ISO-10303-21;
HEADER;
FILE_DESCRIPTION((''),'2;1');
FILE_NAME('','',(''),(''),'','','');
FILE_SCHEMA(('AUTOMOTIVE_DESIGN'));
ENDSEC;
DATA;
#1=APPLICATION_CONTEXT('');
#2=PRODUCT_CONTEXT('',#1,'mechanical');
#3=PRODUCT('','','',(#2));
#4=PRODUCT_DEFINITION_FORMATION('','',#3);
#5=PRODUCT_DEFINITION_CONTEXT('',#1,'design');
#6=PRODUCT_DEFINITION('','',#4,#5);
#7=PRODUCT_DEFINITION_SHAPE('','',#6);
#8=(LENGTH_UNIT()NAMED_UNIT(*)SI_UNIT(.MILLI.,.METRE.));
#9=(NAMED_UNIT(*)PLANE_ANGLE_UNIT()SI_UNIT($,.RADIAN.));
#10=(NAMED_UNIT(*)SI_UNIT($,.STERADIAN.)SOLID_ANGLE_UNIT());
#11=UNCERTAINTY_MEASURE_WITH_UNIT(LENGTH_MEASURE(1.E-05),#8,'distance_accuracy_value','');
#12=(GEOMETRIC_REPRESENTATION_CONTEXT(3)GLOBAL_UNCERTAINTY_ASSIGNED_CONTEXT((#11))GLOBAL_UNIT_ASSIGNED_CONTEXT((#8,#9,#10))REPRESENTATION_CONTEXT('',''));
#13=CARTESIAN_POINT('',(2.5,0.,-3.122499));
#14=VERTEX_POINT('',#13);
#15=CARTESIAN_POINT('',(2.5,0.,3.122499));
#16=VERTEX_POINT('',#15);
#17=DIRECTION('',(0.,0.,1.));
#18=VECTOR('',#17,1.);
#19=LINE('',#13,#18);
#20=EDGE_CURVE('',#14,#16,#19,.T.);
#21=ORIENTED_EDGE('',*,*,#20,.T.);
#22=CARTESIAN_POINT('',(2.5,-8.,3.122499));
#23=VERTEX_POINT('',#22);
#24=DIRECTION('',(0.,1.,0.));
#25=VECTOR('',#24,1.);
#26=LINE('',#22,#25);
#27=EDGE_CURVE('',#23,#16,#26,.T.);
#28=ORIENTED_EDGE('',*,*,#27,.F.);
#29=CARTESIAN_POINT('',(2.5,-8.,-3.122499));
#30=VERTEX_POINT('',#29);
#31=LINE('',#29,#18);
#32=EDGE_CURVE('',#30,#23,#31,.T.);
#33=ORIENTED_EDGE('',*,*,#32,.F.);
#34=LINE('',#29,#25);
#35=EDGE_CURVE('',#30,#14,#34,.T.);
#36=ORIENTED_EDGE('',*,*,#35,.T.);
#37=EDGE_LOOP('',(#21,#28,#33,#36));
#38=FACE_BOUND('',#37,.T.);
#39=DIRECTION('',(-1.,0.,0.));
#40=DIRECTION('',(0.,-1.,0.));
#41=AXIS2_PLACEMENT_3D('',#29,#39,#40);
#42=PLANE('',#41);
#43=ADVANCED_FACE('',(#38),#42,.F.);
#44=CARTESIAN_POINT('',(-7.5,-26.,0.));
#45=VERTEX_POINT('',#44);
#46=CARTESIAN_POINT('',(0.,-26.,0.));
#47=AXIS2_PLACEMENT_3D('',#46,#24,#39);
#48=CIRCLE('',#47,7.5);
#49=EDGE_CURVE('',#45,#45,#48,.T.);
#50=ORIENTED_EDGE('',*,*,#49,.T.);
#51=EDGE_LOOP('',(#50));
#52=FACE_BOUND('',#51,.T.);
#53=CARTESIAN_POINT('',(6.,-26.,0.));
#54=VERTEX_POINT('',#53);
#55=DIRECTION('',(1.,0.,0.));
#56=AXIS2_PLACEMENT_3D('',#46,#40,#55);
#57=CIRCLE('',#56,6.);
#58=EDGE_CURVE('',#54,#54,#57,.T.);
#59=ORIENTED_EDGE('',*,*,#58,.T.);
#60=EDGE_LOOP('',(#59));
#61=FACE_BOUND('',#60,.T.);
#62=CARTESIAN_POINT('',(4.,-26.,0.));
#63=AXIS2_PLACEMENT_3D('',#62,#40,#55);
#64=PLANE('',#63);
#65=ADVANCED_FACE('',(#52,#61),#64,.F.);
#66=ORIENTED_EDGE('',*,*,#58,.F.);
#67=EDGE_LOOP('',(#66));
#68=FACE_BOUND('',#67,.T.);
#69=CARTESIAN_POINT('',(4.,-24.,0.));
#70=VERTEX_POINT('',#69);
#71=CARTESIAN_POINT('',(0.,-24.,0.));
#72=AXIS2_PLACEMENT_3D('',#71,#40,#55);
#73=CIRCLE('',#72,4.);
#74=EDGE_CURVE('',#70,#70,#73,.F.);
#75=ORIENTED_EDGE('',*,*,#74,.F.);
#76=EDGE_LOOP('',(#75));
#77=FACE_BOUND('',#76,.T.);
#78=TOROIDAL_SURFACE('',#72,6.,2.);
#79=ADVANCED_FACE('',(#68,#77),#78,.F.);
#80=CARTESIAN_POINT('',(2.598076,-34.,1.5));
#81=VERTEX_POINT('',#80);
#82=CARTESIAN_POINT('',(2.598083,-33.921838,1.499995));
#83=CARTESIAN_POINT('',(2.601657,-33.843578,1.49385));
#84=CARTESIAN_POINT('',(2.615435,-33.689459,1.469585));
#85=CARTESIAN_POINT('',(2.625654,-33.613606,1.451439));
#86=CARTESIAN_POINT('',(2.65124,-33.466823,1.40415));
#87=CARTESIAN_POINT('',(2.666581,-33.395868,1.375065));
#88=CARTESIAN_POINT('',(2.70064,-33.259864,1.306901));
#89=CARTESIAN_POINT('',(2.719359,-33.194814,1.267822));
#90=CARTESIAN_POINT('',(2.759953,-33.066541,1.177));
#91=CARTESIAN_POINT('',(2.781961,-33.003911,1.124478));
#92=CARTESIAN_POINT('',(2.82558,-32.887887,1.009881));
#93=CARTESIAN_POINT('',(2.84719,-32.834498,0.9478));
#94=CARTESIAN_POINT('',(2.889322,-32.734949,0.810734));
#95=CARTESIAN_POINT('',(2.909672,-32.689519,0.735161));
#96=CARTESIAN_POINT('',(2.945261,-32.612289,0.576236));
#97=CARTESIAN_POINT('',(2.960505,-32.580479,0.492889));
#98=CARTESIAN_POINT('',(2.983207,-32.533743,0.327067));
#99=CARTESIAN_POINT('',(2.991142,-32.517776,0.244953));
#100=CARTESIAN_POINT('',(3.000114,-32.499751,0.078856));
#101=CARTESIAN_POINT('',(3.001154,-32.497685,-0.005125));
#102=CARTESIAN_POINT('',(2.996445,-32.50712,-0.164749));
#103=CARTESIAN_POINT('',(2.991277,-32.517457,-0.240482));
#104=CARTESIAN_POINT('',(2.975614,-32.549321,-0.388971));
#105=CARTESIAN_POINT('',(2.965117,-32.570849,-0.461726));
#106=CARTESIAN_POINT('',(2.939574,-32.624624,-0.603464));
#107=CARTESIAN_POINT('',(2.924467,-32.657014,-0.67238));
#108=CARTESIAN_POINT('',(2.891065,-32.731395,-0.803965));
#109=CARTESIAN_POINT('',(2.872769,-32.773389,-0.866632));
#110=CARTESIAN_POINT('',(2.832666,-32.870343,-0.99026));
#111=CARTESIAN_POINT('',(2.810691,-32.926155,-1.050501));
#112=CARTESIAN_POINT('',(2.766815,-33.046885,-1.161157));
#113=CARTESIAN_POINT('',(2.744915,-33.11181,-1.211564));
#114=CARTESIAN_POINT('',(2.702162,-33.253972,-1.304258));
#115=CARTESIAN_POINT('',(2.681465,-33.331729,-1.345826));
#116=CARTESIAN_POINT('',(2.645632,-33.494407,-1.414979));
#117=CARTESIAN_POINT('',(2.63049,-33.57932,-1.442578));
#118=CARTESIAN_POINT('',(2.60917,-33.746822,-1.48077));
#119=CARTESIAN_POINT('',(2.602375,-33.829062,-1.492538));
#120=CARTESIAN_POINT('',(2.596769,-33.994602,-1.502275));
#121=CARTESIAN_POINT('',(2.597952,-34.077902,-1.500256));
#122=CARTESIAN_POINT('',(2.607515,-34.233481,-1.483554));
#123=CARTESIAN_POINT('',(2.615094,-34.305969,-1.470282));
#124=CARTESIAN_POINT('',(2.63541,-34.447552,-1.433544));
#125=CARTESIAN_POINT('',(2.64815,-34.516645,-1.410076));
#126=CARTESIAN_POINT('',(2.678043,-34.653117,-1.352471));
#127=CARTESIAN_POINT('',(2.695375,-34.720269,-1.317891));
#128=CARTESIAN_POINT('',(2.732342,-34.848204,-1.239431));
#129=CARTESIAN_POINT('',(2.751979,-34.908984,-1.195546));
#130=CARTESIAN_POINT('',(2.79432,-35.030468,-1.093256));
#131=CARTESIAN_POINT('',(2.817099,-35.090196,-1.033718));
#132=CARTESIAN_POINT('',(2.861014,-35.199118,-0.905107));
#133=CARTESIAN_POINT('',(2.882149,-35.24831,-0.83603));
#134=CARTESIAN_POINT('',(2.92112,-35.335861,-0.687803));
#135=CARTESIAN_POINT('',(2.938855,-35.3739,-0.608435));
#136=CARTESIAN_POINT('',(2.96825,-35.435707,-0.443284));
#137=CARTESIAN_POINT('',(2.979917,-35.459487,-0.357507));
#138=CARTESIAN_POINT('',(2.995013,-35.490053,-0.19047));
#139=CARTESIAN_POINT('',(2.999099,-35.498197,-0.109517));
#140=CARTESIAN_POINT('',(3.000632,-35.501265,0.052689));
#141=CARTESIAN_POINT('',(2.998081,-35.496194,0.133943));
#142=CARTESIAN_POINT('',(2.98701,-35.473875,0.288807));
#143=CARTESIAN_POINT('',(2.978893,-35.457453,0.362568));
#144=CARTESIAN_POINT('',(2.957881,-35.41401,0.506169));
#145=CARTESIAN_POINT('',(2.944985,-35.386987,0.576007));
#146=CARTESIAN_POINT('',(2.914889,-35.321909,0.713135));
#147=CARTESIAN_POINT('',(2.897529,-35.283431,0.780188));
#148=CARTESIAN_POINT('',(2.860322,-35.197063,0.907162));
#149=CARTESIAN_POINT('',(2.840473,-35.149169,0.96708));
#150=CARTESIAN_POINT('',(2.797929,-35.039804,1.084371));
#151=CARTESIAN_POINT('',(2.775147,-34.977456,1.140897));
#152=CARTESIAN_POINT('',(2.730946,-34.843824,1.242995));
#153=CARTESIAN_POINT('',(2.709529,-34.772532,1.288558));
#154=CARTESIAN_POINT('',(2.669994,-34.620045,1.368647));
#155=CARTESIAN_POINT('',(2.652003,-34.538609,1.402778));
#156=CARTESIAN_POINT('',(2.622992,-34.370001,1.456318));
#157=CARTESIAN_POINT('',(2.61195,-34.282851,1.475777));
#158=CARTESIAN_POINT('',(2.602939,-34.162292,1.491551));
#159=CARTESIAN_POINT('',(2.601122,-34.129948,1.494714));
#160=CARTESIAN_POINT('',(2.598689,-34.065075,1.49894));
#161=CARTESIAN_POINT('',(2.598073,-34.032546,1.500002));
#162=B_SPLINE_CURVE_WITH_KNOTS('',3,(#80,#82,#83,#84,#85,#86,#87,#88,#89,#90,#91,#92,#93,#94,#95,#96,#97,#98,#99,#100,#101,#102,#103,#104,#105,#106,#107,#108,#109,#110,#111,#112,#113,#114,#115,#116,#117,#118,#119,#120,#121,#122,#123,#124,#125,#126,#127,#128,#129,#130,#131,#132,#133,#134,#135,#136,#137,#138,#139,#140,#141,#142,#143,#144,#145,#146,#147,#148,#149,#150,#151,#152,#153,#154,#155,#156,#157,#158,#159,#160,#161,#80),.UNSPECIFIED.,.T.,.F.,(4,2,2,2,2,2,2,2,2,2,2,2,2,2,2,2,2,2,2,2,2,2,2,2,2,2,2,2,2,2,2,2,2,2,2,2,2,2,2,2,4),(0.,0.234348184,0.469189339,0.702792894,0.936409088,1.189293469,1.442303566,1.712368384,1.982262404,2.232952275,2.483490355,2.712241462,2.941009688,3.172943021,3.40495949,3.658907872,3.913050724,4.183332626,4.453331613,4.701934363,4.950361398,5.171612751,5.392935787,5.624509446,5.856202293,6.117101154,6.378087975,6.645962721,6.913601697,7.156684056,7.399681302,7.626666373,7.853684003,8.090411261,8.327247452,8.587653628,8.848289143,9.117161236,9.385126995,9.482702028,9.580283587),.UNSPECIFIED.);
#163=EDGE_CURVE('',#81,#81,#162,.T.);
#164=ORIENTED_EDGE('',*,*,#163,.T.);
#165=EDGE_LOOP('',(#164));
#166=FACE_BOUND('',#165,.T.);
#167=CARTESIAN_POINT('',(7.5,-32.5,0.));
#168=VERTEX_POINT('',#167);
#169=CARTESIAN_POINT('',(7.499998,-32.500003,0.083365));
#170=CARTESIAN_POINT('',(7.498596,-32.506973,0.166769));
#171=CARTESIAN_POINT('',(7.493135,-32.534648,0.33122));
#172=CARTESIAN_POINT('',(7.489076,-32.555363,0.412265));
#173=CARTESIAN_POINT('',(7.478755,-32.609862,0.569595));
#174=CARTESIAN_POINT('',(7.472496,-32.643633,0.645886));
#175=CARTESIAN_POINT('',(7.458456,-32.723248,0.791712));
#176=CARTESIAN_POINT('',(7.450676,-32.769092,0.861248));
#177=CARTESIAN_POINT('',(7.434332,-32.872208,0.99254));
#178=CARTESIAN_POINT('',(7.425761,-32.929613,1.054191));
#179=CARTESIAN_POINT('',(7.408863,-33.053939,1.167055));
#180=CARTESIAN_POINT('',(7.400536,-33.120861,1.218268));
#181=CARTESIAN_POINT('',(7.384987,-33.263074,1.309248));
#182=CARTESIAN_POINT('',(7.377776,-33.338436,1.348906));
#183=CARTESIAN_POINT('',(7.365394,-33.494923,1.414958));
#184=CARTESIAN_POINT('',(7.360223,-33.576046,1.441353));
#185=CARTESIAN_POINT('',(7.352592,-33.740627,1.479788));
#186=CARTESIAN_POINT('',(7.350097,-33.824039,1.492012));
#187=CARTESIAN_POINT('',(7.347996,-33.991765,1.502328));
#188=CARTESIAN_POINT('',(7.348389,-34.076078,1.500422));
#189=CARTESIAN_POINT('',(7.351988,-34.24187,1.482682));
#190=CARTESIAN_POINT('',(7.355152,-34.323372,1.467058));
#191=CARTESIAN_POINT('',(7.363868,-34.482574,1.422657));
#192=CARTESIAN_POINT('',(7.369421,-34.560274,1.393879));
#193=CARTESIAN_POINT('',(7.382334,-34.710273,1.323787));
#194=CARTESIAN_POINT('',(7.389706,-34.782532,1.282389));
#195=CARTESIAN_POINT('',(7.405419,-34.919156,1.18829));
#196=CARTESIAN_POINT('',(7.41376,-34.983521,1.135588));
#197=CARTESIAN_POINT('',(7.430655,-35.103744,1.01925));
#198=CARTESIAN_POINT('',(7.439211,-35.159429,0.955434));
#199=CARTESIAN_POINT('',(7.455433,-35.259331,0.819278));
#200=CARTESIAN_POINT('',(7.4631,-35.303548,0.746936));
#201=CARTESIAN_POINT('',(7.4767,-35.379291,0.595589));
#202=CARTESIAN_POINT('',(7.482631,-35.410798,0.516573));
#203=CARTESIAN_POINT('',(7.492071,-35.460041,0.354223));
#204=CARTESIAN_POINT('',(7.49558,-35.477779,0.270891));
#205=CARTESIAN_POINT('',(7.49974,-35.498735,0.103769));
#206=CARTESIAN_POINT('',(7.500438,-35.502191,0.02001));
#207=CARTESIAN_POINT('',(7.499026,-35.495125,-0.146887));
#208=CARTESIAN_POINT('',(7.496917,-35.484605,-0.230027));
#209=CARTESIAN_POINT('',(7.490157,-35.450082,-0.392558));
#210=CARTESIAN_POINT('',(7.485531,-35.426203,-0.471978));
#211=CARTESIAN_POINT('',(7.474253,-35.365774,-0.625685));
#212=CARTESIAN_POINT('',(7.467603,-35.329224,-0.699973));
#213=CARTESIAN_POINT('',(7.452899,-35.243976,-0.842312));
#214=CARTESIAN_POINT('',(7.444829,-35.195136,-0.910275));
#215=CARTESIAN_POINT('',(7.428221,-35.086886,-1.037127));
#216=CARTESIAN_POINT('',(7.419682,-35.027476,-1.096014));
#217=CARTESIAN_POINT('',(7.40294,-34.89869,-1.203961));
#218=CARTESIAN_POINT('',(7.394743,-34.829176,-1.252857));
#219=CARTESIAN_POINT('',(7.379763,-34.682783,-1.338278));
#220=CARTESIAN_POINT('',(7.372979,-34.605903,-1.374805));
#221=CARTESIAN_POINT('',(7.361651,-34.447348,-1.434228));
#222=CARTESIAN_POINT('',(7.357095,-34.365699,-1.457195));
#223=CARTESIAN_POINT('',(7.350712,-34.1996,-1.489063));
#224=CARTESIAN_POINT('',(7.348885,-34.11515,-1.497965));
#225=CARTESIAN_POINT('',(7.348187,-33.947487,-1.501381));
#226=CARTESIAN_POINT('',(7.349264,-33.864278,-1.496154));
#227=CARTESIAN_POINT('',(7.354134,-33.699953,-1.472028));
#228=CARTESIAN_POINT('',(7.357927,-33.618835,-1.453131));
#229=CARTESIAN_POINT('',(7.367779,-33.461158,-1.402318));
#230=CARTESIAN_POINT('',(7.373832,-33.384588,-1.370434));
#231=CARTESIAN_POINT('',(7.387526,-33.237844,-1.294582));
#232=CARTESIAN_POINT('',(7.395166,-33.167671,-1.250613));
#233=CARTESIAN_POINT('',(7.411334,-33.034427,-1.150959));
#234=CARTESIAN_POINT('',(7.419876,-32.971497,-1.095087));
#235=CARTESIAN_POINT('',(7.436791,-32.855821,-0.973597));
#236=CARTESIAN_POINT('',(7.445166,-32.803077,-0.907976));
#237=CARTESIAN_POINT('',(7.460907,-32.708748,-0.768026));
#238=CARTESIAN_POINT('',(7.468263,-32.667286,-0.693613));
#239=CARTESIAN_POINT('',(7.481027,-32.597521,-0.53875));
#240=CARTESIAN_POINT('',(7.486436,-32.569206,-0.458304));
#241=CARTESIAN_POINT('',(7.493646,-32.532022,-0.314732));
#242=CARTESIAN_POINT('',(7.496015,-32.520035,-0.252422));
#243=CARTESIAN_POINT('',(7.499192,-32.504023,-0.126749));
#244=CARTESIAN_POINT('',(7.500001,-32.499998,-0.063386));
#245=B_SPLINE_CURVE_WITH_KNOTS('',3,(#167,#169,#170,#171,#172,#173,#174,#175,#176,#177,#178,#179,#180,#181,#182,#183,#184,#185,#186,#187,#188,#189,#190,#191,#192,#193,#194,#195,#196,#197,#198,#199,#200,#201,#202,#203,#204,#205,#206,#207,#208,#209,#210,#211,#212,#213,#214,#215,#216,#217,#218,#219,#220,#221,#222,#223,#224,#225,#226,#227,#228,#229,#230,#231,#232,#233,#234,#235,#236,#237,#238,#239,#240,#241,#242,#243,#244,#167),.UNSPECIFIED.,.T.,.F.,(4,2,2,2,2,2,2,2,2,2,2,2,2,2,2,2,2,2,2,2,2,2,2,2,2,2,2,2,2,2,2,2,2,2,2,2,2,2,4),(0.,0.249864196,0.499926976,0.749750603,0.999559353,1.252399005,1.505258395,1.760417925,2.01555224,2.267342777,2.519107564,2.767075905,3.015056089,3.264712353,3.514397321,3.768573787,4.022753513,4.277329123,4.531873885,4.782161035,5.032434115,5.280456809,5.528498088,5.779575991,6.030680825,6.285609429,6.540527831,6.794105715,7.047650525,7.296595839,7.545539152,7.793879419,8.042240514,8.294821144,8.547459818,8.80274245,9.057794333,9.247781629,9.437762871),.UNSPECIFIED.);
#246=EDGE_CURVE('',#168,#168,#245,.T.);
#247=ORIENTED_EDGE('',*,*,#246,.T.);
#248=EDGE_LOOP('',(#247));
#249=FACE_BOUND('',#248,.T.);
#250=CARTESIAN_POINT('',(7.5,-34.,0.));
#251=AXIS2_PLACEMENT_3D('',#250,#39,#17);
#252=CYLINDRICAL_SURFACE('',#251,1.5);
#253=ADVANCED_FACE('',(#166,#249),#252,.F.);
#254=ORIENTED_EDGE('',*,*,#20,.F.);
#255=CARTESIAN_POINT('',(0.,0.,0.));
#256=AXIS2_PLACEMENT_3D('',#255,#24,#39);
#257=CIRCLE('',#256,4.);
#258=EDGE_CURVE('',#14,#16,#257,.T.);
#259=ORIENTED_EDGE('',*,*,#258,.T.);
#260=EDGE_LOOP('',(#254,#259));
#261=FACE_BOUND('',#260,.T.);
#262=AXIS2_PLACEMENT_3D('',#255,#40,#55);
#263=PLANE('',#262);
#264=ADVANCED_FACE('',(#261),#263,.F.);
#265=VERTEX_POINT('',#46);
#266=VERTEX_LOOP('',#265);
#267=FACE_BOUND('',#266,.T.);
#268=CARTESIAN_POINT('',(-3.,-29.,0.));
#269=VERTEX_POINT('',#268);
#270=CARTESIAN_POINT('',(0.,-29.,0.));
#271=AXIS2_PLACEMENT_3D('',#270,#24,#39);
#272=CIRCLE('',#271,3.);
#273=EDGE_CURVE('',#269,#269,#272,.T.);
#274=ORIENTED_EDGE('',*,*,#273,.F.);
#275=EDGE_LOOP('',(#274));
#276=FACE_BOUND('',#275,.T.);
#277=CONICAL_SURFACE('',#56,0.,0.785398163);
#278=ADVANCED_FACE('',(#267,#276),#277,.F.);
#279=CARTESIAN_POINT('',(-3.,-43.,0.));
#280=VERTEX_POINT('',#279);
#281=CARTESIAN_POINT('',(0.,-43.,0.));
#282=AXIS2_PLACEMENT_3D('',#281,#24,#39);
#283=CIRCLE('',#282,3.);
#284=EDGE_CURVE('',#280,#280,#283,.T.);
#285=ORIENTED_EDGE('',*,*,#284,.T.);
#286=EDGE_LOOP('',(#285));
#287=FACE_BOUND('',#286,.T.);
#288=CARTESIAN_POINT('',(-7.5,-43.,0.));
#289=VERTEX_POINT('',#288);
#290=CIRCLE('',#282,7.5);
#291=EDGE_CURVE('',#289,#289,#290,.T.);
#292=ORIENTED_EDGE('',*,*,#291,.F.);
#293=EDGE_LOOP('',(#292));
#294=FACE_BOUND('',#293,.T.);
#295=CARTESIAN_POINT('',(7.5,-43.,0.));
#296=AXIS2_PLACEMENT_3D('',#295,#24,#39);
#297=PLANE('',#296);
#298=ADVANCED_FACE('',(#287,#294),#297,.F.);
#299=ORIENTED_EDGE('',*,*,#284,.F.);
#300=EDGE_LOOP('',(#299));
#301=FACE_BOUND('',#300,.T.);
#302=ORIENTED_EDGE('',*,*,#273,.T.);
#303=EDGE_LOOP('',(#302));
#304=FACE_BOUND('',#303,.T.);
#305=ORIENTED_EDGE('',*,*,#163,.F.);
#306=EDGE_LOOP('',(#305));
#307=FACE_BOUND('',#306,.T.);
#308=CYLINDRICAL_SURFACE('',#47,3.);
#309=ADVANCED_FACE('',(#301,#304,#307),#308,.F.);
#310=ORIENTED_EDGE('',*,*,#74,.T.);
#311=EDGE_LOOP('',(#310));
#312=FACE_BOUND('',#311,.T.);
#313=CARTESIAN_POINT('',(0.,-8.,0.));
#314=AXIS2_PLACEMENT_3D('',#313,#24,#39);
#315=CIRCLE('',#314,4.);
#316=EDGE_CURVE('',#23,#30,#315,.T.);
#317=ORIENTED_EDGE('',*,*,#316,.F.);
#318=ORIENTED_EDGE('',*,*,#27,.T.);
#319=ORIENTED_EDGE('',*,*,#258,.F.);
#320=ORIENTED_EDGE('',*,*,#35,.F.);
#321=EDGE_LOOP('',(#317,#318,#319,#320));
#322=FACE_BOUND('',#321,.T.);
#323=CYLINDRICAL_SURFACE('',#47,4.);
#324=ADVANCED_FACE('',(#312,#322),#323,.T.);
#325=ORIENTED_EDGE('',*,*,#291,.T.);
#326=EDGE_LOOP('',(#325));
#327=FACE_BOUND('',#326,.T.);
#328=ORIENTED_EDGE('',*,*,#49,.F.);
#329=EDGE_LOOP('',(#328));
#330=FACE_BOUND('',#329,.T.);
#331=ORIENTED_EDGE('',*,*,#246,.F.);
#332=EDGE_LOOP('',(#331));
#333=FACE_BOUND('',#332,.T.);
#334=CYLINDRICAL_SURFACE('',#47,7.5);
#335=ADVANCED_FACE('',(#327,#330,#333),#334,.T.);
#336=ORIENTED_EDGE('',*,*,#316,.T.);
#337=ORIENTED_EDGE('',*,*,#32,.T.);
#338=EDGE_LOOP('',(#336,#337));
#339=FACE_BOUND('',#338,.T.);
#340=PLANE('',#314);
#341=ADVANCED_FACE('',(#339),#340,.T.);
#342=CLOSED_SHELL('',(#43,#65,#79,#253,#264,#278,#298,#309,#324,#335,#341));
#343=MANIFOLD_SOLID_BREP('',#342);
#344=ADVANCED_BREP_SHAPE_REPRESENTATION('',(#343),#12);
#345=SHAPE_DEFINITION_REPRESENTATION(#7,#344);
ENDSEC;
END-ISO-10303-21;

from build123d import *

# Parameters (mm, degrees)
CONG_1_R                = 2
ESQUISSE2_W             = 1.5
ESQUISSE2_H             = 6.244997998
ENL_V_MAT_EXTRU_1_DEPTH = 8
ESQUISSE3_R             = 1.5
ENL_V_MAT_EXTRU_2_DEPTH = 45.288824776


with BuildPart() as part:
    # Esquisse1 → Révolution1 (revolve)
    with BuildSketch(Plane.XY, mode=Mode.PRIVATE) as r_volution1_sk:
        Polygon((0, 0), (4, 0), (4, -26), (7.5, -26), (7.5, -43), (3, -43), (3, -29), (0, -26), align=None)
    revolve(r_volution1_sk.sketch.rotate(Axis((0, -26, 0), (0, -1, 0)), 180), axis=Axis((0, -26, 0), (0, -1, 0)))

    # Congé1
    cong_1_edges = [part.edges().sort_by_distance(p)[0] for p in [
        (4, -26, 0),
    ]]
    fillet(cong_1_edges, radius=CONG_1_R)

    # Esquisse2 → Enlèv. mat.-Extru.1 (cut)
    with BuildSketch(Plane(origin=(0, 0, 0), x_dir=(1, 0, 0), z_dir=(0, 1, 0))):
        with Locations((3.25, 0)):
            Rectangle(ESQUISSE2_W, ESQUISSE2_H)
    extrude(amount=-ENL_V_MAT_EXTRU_1_DEPTH, mode=Mode.SUBTRACT)

    # Esquisse3 → Enlèv. mat.-Extru.2 (cut, through all)
    with BuildSketch(Plane(origin=(0, 0, 0), x_dir=(0, 0, -1), z_dir=(1, 0, 0))):
        with Locations(Location((0, -34, 0), (0, 0, 180))):
            Circle(ESQUISSE3_R)
    extrude(amount=ENL_V_MAT_EXTRU_2_DEPTH, mode=Mode.SUBTRACT)


solid = part.part
